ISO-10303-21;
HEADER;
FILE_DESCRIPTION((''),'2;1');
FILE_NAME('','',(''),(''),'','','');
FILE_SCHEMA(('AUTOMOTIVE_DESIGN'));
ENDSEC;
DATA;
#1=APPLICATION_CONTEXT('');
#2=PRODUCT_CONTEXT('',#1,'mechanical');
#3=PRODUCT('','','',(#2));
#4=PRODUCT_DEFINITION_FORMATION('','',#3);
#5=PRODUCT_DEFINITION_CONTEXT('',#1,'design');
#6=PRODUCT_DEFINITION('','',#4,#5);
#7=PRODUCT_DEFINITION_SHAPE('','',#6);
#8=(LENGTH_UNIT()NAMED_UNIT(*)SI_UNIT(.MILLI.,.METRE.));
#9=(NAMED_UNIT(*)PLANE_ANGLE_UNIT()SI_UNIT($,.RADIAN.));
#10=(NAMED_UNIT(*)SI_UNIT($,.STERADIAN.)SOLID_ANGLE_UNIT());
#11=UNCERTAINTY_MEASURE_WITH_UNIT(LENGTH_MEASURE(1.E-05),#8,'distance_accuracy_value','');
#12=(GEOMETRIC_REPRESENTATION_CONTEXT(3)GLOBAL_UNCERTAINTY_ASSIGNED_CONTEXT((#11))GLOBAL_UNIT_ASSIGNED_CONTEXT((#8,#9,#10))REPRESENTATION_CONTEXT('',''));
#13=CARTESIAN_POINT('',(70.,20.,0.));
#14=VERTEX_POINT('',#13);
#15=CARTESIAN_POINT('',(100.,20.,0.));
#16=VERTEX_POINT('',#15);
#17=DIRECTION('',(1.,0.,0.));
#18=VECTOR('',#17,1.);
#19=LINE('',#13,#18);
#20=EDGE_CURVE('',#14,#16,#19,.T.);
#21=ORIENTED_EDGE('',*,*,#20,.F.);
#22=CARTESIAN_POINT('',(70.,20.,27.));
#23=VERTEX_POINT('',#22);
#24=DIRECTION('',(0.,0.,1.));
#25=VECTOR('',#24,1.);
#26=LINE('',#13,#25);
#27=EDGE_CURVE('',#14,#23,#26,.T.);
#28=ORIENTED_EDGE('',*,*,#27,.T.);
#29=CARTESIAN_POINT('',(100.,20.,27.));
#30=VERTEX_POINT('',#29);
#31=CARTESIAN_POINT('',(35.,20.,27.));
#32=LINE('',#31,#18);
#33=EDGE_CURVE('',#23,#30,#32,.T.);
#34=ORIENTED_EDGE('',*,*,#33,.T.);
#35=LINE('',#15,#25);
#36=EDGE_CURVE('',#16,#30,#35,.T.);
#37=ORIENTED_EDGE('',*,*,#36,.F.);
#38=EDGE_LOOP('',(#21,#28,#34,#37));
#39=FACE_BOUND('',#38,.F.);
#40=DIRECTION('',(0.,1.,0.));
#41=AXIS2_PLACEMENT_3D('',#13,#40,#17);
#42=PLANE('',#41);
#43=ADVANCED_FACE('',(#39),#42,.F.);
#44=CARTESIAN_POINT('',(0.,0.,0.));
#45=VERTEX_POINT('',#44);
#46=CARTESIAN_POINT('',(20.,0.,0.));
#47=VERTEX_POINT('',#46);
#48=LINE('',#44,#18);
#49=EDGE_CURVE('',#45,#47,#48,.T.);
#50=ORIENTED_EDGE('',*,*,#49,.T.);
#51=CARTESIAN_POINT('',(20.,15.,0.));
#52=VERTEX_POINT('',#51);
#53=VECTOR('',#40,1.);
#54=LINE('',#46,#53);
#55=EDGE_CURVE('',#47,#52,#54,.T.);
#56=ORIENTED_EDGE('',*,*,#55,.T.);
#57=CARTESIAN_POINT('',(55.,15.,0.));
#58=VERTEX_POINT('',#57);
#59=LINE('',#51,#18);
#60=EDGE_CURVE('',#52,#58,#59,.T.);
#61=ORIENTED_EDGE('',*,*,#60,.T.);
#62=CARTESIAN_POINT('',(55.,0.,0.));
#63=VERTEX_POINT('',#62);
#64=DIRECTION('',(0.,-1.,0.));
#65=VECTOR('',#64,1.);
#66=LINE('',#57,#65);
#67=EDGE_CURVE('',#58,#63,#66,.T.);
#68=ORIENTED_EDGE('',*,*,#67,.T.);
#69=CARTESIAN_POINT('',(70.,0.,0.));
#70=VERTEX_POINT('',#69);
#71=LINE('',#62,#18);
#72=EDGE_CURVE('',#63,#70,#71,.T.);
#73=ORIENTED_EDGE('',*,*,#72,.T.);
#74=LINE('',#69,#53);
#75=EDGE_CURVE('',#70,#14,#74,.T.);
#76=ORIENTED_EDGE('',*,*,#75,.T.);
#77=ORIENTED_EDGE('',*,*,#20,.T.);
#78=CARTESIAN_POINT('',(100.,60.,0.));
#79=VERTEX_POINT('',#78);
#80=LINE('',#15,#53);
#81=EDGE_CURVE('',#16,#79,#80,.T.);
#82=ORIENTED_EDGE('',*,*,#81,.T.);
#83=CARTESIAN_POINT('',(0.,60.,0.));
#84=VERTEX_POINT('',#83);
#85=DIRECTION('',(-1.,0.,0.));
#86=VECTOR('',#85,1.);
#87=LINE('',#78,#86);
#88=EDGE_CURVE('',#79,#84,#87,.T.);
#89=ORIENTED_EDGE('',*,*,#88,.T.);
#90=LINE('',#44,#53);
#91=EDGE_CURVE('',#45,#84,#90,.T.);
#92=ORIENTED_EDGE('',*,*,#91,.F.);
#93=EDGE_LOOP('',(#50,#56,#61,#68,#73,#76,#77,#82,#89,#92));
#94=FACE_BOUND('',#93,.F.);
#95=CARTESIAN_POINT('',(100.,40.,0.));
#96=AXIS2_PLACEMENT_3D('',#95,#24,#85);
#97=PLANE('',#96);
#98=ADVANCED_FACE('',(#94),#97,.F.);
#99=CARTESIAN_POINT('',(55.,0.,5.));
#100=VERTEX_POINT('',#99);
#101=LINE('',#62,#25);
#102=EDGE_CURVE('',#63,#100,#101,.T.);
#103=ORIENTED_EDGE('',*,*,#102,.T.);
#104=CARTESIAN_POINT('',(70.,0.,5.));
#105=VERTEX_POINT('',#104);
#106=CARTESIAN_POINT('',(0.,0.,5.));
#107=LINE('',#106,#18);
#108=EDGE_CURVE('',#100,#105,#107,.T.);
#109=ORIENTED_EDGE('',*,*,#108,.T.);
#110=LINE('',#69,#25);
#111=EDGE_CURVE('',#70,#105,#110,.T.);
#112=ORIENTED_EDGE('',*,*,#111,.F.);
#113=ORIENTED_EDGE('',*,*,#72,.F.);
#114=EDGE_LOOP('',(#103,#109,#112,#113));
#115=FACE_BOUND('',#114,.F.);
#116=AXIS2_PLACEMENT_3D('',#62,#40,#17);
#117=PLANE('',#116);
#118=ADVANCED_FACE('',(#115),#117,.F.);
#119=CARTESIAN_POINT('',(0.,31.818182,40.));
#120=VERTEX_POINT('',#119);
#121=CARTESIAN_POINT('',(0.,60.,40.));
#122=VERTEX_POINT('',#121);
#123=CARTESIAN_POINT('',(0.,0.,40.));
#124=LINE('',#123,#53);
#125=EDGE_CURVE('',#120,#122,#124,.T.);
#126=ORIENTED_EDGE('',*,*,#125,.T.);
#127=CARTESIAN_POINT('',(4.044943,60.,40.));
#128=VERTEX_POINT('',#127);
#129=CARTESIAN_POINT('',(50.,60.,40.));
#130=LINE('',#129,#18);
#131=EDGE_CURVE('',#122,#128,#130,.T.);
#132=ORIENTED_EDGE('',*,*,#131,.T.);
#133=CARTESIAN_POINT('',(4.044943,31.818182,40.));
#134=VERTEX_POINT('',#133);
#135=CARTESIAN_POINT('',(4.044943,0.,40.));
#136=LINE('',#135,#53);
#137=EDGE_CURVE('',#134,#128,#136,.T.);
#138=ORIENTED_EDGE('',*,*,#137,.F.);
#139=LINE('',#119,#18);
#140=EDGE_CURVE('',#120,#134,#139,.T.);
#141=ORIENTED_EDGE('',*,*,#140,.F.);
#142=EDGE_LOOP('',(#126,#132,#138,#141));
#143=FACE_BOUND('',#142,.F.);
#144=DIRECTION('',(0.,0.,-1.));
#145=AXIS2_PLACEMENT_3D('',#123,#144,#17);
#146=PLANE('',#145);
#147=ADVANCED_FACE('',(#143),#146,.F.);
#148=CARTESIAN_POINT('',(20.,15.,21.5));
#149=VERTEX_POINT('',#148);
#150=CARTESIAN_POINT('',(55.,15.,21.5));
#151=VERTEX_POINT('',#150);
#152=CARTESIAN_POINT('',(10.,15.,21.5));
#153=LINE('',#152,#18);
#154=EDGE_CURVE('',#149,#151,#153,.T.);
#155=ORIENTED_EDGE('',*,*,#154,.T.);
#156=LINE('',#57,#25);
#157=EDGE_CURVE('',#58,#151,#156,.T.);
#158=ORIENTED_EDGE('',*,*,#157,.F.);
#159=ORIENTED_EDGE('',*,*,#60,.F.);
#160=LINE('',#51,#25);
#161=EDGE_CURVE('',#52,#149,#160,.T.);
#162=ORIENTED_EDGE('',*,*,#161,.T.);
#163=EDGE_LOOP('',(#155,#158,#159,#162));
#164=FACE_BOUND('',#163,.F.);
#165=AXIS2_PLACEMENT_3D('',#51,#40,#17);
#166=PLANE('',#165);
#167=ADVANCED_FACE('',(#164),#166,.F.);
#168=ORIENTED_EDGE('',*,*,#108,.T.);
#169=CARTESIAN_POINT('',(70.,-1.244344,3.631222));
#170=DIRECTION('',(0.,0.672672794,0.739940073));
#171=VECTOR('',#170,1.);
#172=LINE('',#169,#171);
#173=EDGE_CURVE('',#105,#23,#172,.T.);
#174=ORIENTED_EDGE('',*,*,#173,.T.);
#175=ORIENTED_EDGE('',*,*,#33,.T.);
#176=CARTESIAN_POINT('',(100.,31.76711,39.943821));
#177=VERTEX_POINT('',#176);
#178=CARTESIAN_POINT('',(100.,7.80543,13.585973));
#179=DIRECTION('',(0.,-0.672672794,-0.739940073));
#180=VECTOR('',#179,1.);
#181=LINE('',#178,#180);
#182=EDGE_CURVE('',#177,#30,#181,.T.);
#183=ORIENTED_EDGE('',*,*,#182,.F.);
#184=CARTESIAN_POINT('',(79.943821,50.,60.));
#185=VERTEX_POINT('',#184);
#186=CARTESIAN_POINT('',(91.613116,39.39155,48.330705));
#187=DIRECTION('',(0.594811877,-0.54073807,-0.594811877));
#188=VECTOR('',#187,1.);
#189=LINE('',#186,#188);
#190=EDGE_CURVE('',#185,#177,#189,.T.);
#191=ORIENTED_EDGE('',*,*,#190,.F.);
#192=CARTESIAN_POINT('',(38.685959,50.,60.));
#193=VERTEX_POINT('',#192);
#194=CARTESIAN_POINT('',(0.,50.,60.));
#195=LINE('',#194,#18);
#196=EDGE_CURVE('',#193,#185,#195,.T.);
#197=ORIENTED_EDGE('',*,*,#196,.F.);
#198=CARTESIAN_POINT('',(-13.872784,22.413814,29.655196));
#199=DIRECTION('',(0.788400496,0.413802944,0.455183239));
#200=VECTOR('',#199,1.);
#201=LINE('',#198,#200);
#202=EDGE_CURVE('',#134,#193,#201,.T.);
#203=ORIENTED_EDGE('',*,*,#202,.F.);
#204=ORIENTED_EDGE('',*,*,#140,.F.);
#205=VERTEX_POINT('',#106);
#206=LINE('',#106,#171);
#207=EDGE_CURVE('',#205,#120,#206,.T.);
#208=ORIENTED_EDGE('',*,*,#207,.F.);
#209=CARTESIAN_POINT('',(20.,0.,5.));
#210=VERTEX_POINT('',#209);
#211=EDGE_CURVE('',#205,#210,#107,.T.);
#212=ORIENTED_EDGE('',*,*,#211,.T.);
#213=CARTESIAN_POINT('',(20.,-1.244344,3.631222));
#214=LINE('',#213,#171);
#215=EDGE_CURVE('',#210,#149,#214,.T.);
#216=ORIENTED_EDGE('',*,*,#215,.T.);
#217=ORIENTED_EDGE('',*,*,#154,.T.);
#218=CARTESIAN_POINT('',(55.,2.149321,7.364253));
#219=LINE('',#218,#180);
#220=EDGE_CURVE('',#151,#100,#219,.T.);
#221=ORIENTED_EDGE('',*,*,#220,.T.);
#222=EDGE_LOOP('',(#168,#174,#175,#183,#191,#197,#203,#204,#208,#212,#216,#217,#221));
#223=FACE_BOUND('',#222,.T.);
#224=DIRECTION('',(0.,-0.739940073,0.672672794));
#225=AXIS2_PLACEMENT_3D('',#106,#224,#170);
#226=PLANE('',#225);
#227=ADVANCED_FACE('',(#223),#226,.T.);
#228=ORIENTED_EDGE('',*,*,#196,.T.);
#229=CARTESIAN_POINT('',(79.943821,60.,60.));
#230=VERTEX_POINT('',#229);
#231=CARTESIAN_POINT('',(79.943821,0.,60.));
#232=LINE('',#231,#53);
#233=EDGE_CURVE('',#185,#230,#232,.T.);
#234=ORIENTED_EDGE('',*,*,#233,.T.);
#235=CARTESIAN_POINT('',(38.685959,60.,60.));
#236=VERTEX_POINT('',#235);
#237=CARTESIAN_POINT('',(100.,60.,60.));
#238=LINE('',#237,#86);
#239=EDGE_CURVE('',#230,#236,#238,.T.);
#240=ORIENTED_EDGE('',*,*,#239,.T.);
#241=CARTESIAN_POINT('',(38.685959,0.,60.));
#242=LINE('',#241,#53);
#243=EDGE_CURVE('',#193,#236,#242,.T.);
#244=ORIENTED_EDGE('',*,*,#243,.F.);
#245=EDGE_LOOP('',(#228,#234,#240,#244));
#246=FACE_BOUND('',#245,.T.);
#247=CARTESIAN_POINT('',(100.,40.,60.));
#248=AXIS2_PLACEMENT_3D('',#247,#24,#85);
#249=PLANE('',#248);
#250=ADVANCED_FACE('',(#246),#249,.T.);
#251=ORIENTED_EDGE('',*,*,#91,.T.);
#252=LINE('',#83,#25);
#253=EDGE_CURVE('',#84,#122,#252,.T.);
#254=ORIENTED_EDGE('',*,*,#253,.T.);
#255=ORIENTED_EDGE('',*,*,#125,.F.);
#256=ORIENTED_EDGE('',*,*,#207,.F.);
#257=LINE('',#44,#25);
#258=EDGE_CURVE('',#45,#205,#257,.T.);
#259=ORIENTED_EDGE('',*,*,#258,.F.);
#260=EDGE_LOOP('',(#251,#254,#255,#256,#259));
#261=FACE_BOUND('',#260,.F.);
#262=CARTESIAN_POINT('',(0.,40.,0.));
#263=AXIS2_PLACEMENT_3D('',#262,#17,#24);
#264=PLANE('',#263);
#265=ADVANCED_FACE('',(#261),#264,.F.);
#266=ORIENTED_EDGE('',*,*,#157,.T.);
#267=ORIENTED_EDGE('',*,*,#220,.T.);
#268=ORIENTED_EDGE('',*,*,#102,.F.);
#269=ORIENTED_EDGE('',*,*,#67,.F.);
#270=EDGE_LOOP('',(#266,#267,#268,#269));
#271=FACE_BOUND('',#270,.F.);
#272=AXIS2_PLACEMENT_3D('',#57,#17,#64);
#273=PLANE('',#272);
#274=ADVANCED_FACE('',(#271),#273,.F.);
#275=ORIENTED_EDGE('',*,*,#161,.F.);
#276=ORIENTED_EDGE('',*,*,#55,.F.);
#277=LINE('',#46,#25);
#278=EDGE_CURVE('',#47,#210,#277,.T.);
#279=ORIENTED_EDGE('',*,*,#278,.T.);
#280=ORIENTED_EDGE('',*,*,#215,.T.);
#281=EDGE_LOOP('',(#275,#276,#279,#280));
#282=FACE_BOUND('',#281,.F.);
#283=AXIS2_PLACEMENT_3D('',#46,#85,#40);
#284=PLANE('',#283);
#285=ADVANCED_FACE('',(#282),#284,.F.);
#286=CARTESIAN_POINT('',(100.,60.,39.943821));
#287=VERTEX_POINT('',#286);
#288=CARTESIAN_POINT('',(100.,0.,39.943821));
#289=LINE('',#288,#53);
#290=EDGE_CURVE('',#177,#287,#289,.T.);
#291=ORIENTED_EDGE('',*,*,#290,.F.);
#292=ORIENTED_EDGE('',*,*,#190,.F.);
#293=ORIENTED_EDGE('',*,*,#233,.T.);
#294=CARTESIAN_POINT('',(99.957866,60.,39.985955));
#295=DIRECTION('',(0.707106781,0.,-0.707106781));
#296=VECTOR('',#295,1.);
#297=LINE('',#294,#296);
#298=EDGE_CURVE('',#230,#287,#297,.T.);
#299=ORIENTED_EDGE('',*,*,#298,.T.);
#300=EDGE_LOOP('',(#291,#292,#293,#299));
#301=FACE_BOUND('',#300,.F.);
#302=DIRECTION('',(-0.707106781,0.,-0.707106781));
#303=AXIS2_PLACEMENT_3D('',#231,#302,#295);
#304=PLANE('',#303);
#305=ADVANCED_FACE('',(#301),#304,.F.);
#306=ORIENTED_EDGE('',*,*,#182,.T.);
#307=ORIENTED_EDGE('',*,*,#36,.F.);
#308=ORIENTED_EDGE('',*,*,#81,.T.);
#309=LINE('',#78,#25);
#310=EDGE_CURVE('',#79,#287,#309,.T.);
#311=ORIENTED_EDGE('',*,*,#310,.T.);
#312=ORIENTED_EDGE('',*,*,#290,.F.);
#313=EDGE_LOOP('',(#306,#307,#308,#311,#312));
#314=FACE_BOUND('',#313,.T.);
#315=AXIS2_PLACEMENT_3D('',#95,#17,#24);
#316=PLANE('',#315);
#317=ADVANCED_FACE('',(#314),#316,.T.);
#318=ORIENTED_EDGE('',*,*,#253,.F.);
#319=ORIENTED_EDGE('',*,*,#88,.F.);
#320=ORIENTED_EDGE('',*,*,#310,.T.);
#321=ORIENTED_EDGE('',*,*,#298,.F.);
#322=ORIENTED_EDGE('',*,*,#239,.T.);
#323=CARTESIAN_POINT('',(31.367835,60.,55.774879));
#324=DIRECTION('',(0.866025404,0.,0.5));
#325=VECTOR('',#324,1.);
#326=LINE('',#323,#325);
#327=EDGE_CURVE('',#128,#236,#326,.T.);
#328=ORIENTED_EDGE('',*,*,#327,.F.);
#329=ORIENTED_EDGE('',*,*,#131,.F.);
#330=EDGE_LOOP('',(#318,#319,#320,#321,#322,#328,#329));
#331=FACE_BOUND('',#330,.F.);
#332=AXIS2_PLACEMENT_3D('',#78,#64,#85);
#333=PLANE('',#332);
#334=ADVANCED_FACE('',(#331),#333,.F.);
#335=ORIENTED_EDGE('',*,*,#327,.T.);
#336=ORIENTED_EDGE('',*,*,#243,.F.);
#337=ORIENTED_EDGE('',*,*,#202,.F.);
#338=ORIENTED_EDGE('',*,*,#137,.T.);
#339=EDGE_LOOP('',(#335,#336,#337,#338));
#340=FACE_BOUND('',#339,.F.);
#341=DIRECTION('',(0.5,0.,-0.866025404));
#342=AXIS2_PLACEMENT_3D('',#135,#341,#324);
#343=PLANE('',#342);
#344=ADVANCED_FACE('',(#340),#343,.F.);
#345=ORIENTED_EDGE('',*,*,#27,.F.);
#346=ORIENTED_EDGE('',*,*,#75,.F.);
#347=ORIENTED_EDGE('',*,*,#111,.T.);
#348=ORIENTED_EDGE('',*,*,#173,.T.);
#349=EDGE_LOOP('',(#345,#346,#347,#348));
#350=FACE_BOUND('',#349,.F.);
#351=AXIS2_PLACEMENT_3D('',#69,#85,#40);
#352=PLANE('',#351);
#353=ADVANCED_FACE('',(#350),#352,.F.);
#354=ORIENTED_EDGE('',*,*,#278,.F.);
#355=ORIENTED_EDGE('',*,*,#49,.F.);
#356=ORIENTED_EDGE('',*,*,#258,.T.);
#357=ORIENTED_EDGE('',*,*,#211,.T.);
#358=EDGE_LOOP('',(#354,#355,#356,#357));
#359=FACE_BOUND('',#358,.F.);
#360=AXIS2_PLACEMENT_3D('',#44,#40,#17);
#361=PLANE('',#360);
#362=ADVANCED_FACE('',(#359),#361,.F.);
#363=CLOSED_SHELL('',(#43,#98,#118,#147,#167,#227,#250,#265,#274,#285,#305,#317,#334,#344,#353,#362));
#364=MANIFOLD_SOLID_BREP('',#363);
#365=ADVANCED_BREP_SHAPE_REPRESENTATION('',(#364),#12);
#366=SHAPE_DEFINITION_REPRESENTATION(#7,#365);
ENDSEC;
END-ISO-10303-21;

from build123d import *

# Parameters (mm, degrees)
F1_DEPTH = 60
F2_DEPTH = 20
F4_DEPTH = 100.001
F6_DEPTH = 60.001


with BuildPart() as f1:
    # F0 (on Top) → F1 (new body)
    with BuildSketch(Plane.XY):
        Polygon((0, 40), (0, 0), (20, 0), (20, 15), (55, 15), (55, 0), (70, 0), (70, 20), (100, 20), (100, 40), align=None)
    extrude(amount=F1_DEPTH)

    # F2 (add): a face of the model
    f2_faces = [f1.faces().sort_by_distance(p)[0] for p in [
        (50, 40, 30),
    ]]
    extrude(f2_faces, amount=F2_DEPTH)

    # F3 (on Right) → F4 (cut, through all)
    with BuildSketch(Plane.YZ):
        Polygon((50, 60), (20, 60), (0, 60), (0, 5), align=None)
    extrude(amount=F4_DEPTH, mode=Mode.SUBTRACT)

    # F5 (on Front) → F6 (cut, through all)
    with BuildSketch(Plane.XZ):
        Polygon((0, 60), (0, 40), (4.0449425578, 40), (38.6859587092, 60), align=None)
        Polygon((100, 60), (79.9438208342, 60), (100, 39.9438208342), align=None)
    extrude(amount=-F6_DEPTH, mode=Mode.SUBTRACT)


solid = f1.part
